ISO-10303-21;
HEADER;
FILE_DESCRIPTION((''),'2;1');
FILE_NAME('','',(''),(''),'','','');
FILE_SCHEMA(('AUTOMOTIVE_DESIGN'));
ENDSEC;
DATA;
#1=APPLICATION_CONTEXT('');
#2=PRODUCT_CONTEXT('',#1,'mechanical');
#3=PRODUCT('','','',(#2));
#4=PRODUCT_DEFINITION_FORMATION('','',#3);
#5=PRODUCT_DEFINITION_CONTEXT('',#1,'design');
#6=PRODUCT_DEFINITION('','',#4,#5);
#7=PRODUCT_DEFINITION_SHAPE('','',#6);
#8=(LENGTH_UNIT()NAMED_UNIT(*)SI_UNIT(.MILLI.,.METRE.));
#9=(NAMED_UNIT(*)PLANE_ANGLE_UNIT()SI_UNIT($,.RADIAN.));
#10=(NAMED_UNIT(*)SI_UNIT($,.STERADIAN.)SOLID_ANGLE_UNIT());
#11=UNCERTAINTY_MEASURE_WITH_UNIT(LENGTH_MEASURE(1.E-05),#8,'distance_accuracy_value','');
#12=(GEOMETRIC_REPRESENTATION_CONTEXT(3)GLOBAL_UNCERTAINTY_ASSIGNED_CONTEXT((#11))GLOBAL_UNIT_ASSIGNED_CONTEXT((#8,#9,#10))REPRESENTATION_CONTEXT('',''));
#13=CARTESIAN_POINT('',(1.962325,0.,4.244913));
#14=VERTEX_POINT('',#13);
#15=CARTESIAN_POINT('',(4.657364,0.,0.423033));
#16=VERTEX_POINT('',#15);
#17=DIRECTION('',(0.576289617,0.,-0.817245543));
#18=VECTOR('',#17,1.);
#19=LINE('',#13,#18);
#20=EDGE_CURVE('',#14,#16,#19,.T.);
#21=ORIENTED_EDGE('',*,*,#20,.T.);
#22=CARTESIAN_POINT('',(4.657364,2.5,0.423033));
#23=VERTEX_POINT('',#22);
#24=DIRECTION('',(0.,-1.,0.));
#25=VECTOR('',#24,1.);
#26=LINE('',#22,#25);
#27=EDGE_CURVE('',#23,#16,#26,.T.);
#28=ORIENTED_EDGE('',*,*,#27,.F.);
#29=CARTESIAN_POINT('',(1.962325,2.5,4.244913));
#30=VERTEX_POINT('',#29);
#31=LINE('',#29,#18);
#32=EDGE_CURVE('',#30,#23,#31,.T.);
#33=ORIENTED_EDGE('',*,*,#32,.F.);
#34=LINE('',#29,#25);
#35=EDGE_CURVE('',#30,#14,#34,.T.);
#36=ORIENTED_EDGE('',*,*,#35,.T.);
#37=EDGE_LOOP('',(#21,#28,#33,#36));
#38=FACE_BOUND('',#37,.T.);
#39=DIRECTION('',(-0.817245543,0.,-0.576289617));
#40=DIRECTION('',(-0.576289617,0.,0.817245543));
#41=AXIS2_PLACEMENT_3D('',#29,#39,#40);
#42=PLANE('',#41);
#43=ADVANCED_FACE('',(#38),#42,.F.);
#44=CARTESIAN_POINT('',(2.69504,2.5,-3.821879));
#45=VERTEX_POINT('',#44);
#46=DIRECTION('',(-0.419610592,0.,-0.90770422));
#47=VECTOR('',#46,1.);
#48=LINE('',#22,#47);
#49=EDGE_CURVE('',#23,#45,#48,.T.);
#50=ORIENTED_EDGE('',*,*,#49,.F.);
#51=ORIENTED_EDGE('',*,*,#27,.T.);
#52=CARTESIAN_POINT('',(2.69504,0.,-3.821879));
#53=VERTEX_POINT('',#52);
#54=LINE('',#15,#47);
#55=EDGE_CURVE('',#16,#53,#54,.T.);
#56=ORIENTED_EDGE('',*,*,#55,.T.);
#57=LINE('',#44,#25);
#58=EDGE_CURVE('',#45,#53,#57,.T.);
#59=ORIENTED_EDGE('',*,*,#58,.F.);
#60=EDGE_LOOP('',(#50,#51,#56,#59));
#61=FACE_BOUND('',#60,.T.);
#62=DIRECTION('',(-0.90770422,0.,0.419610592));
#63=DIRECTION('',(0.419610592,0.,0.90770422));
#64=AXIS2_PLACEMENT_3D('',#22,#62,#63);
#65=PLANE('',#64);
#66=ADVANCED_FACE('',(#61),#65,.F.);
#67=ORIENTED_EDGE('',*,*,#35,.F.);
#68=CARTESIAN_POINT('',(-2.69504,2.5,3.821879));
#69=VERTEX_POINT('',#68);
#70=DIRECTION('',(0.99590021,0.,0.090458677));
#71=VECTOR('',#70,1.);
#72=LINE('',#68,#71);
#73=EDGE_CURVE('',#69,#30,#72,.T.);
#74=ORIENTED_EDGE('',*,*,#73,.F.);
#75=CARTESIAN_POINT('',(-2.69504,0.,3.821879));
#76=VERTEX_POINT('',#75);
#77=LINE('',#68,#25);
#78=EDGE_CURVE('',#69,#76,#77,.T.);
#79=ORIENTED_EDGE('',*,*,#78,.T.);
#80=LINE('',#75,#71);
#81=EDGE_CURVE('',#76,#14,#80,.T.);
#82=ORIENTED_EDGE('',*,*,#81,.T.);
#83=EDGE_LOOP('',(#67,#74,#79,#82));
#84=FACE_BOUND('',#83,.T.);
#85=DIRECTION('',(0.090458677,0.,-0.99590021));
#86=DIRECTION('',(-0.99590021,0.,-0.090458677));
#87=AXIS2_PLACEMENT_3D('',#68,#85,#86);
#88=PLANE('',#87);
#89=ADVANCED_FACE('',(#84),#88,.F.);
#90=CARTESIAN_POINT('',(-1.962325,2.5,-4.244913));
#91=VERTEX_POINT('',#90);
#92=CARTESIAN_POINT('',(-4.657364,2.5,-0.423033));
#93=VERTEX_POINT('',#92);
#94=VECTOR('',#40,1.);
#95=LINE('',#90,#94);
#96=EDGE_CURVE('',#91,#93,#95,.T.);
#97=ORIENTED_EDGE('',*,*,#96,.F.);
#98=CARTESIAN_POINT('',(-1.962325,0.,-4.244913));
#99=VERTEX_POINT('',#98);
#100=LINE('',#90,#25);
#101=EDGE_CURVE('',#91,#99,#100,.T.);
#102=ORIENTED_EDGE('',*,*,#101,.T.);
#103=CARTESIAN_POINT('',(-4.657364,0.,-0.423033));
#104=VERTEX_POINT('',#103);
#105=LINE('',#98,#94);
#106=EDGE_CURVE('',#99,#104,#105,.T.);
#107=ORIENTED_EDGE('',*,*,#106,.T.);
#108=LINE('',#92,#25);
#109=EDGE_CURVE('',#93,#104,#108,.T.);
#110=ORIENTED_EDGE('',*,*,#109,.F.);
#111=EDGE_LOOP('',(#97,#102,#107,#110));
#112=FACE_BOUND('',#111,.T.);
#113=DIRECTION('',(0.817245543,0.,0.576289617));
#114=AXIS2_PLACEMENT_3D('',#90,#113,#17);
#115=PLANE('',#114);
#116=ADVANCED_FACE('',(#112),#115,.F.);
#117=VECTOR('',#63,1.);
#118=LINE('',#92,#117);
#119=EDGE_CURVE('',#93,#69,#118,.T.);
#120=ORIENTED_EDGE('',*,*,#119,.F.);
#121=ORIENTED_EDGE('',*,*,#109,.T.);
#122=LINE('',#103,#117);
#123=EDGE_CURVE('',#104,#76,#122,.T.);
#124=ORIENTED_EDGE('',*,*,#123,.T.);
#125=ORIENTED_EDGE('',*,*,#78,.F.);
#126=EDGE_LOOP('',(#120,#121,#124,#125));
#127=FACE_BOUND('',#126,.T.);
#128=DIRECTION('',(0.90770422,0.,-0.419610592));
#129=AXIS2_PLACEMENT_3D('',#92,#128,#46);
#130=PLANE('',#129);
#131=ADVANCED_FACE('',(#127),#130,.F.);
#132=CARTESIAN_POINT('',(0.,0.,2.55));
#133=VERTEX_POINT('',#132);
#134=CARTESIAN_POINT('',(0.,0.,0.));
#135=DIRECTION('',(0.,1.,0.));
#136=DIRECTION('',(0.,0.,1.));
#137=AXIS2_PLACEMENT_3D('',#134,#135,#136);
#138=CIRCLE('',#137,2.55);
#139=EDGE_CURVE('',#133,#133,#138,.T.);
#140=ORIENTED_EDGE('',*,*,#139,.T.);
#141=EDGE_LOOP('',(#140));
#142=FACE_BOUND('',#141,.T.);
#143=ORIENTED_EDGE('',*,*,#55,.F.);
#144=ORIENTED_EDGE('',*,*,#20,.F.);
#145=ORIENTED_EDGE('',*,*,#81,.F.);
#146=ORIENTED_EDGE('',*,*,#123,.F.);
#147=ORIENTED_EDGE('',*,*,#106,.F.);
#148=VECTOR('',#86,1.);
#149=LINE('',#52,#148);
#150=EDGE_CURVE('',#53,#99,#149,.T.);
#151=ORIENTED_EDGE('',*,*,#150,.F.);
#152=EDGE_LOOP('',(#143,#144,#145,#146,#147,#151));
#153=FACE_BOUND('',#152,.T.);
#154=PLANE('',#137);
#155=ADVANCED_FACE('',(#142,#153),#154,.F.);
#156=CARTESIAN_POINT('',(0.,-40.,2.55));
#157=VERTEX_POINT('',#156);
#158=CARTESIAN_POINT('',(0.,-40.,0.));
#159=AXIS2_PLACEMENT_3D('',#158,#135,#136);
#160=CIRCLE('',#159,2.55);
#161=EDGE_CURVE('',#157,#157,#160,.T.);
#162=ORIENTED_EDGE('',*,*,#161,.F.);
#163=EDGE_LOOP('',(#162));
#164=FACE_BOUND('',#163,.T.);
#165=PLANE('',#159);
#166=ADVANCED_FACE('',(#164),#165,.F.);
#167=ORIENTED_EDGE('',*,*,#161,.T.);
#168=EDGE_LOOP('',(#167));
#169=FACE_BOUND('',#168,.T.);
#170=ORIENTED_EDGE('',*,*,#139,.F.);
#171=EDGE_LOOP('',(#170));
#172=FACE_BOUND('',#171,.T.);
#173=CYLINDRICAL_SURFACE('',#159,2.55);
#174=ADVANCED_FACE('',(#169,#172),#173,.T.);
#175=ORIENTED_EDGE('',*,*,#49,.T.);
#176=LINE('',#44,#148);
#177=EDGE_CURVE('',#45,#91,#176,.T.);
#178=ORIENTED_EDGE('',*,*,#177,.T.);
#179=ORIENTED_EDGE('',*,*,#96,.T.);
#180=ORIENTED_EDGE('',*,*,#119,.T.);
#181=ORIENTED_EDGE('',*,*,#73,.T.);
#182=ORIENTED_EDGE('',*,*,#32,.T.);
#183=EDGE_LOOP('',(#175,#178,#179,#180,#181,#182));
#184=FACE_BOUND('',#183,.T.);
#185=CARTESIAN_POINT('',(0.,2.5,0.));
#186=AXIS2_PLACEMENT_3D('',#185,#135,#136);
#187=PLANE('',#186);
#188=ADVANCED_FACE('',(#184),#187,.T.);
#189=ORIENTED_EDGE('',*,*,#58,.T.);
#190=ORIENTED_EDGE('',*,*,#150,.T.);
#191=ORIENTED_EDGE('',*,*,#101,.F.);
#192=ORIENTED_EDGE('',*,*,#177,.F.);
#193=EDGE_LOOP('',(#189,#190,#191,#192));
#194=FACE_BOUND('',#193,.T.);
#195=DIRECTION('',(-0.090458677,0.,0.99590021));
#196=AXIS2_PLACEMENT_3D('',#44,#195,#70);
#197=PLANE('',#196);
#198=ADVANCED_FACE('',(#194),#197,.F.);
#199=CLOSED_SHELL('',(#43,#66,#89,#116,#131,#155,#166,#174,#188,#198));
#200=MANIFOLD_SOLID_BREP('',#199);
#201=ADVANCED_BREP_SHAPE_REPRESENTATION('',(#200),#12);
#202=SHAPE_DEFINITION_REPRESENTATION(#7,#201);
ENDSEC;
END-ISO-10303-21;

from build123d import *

# Parameters (mm, degrees)
SKETCH2_R           = 2.55
BOSS_EXTRUDE1_DEPTH = 40
BOSS_EXTRUDE2_DEPTH = 2.5


with BuildPart() as part:
    # Sketch2 → Boss-Extrude1 (new body)
    with BuildSketch(Plane(origin=(0, 0, 0), x_dir=(1, 0, 0), z_dir=(0, 1, 0))):
        with Locations(Location((0, 0, 0), (0, 0, 270))):
            Circle(SKETCH2_R)
    extrude(amount=-BOSS_EXTRUDE1_DEPTH)

    # Sketch3 → Boss-Extrude2 (add)
    with BuildSketch(Plane(origin=(0, 0, 0), x_dir=(1, 0, 0), z_dir=(0, 1, 0))):
        Polygon((2.695039823, 3.821879165), (-1.962324536, 4.244912533), (-4.657364359, 0.423033368), (-2.695039823, -3.821879165), (1.962324536, -4.244912533), (4.657364359, -0.423033368), align=None)
    extrude(amount=BOSS_EXTRUDE2_DEPTH)


solid = part.part
